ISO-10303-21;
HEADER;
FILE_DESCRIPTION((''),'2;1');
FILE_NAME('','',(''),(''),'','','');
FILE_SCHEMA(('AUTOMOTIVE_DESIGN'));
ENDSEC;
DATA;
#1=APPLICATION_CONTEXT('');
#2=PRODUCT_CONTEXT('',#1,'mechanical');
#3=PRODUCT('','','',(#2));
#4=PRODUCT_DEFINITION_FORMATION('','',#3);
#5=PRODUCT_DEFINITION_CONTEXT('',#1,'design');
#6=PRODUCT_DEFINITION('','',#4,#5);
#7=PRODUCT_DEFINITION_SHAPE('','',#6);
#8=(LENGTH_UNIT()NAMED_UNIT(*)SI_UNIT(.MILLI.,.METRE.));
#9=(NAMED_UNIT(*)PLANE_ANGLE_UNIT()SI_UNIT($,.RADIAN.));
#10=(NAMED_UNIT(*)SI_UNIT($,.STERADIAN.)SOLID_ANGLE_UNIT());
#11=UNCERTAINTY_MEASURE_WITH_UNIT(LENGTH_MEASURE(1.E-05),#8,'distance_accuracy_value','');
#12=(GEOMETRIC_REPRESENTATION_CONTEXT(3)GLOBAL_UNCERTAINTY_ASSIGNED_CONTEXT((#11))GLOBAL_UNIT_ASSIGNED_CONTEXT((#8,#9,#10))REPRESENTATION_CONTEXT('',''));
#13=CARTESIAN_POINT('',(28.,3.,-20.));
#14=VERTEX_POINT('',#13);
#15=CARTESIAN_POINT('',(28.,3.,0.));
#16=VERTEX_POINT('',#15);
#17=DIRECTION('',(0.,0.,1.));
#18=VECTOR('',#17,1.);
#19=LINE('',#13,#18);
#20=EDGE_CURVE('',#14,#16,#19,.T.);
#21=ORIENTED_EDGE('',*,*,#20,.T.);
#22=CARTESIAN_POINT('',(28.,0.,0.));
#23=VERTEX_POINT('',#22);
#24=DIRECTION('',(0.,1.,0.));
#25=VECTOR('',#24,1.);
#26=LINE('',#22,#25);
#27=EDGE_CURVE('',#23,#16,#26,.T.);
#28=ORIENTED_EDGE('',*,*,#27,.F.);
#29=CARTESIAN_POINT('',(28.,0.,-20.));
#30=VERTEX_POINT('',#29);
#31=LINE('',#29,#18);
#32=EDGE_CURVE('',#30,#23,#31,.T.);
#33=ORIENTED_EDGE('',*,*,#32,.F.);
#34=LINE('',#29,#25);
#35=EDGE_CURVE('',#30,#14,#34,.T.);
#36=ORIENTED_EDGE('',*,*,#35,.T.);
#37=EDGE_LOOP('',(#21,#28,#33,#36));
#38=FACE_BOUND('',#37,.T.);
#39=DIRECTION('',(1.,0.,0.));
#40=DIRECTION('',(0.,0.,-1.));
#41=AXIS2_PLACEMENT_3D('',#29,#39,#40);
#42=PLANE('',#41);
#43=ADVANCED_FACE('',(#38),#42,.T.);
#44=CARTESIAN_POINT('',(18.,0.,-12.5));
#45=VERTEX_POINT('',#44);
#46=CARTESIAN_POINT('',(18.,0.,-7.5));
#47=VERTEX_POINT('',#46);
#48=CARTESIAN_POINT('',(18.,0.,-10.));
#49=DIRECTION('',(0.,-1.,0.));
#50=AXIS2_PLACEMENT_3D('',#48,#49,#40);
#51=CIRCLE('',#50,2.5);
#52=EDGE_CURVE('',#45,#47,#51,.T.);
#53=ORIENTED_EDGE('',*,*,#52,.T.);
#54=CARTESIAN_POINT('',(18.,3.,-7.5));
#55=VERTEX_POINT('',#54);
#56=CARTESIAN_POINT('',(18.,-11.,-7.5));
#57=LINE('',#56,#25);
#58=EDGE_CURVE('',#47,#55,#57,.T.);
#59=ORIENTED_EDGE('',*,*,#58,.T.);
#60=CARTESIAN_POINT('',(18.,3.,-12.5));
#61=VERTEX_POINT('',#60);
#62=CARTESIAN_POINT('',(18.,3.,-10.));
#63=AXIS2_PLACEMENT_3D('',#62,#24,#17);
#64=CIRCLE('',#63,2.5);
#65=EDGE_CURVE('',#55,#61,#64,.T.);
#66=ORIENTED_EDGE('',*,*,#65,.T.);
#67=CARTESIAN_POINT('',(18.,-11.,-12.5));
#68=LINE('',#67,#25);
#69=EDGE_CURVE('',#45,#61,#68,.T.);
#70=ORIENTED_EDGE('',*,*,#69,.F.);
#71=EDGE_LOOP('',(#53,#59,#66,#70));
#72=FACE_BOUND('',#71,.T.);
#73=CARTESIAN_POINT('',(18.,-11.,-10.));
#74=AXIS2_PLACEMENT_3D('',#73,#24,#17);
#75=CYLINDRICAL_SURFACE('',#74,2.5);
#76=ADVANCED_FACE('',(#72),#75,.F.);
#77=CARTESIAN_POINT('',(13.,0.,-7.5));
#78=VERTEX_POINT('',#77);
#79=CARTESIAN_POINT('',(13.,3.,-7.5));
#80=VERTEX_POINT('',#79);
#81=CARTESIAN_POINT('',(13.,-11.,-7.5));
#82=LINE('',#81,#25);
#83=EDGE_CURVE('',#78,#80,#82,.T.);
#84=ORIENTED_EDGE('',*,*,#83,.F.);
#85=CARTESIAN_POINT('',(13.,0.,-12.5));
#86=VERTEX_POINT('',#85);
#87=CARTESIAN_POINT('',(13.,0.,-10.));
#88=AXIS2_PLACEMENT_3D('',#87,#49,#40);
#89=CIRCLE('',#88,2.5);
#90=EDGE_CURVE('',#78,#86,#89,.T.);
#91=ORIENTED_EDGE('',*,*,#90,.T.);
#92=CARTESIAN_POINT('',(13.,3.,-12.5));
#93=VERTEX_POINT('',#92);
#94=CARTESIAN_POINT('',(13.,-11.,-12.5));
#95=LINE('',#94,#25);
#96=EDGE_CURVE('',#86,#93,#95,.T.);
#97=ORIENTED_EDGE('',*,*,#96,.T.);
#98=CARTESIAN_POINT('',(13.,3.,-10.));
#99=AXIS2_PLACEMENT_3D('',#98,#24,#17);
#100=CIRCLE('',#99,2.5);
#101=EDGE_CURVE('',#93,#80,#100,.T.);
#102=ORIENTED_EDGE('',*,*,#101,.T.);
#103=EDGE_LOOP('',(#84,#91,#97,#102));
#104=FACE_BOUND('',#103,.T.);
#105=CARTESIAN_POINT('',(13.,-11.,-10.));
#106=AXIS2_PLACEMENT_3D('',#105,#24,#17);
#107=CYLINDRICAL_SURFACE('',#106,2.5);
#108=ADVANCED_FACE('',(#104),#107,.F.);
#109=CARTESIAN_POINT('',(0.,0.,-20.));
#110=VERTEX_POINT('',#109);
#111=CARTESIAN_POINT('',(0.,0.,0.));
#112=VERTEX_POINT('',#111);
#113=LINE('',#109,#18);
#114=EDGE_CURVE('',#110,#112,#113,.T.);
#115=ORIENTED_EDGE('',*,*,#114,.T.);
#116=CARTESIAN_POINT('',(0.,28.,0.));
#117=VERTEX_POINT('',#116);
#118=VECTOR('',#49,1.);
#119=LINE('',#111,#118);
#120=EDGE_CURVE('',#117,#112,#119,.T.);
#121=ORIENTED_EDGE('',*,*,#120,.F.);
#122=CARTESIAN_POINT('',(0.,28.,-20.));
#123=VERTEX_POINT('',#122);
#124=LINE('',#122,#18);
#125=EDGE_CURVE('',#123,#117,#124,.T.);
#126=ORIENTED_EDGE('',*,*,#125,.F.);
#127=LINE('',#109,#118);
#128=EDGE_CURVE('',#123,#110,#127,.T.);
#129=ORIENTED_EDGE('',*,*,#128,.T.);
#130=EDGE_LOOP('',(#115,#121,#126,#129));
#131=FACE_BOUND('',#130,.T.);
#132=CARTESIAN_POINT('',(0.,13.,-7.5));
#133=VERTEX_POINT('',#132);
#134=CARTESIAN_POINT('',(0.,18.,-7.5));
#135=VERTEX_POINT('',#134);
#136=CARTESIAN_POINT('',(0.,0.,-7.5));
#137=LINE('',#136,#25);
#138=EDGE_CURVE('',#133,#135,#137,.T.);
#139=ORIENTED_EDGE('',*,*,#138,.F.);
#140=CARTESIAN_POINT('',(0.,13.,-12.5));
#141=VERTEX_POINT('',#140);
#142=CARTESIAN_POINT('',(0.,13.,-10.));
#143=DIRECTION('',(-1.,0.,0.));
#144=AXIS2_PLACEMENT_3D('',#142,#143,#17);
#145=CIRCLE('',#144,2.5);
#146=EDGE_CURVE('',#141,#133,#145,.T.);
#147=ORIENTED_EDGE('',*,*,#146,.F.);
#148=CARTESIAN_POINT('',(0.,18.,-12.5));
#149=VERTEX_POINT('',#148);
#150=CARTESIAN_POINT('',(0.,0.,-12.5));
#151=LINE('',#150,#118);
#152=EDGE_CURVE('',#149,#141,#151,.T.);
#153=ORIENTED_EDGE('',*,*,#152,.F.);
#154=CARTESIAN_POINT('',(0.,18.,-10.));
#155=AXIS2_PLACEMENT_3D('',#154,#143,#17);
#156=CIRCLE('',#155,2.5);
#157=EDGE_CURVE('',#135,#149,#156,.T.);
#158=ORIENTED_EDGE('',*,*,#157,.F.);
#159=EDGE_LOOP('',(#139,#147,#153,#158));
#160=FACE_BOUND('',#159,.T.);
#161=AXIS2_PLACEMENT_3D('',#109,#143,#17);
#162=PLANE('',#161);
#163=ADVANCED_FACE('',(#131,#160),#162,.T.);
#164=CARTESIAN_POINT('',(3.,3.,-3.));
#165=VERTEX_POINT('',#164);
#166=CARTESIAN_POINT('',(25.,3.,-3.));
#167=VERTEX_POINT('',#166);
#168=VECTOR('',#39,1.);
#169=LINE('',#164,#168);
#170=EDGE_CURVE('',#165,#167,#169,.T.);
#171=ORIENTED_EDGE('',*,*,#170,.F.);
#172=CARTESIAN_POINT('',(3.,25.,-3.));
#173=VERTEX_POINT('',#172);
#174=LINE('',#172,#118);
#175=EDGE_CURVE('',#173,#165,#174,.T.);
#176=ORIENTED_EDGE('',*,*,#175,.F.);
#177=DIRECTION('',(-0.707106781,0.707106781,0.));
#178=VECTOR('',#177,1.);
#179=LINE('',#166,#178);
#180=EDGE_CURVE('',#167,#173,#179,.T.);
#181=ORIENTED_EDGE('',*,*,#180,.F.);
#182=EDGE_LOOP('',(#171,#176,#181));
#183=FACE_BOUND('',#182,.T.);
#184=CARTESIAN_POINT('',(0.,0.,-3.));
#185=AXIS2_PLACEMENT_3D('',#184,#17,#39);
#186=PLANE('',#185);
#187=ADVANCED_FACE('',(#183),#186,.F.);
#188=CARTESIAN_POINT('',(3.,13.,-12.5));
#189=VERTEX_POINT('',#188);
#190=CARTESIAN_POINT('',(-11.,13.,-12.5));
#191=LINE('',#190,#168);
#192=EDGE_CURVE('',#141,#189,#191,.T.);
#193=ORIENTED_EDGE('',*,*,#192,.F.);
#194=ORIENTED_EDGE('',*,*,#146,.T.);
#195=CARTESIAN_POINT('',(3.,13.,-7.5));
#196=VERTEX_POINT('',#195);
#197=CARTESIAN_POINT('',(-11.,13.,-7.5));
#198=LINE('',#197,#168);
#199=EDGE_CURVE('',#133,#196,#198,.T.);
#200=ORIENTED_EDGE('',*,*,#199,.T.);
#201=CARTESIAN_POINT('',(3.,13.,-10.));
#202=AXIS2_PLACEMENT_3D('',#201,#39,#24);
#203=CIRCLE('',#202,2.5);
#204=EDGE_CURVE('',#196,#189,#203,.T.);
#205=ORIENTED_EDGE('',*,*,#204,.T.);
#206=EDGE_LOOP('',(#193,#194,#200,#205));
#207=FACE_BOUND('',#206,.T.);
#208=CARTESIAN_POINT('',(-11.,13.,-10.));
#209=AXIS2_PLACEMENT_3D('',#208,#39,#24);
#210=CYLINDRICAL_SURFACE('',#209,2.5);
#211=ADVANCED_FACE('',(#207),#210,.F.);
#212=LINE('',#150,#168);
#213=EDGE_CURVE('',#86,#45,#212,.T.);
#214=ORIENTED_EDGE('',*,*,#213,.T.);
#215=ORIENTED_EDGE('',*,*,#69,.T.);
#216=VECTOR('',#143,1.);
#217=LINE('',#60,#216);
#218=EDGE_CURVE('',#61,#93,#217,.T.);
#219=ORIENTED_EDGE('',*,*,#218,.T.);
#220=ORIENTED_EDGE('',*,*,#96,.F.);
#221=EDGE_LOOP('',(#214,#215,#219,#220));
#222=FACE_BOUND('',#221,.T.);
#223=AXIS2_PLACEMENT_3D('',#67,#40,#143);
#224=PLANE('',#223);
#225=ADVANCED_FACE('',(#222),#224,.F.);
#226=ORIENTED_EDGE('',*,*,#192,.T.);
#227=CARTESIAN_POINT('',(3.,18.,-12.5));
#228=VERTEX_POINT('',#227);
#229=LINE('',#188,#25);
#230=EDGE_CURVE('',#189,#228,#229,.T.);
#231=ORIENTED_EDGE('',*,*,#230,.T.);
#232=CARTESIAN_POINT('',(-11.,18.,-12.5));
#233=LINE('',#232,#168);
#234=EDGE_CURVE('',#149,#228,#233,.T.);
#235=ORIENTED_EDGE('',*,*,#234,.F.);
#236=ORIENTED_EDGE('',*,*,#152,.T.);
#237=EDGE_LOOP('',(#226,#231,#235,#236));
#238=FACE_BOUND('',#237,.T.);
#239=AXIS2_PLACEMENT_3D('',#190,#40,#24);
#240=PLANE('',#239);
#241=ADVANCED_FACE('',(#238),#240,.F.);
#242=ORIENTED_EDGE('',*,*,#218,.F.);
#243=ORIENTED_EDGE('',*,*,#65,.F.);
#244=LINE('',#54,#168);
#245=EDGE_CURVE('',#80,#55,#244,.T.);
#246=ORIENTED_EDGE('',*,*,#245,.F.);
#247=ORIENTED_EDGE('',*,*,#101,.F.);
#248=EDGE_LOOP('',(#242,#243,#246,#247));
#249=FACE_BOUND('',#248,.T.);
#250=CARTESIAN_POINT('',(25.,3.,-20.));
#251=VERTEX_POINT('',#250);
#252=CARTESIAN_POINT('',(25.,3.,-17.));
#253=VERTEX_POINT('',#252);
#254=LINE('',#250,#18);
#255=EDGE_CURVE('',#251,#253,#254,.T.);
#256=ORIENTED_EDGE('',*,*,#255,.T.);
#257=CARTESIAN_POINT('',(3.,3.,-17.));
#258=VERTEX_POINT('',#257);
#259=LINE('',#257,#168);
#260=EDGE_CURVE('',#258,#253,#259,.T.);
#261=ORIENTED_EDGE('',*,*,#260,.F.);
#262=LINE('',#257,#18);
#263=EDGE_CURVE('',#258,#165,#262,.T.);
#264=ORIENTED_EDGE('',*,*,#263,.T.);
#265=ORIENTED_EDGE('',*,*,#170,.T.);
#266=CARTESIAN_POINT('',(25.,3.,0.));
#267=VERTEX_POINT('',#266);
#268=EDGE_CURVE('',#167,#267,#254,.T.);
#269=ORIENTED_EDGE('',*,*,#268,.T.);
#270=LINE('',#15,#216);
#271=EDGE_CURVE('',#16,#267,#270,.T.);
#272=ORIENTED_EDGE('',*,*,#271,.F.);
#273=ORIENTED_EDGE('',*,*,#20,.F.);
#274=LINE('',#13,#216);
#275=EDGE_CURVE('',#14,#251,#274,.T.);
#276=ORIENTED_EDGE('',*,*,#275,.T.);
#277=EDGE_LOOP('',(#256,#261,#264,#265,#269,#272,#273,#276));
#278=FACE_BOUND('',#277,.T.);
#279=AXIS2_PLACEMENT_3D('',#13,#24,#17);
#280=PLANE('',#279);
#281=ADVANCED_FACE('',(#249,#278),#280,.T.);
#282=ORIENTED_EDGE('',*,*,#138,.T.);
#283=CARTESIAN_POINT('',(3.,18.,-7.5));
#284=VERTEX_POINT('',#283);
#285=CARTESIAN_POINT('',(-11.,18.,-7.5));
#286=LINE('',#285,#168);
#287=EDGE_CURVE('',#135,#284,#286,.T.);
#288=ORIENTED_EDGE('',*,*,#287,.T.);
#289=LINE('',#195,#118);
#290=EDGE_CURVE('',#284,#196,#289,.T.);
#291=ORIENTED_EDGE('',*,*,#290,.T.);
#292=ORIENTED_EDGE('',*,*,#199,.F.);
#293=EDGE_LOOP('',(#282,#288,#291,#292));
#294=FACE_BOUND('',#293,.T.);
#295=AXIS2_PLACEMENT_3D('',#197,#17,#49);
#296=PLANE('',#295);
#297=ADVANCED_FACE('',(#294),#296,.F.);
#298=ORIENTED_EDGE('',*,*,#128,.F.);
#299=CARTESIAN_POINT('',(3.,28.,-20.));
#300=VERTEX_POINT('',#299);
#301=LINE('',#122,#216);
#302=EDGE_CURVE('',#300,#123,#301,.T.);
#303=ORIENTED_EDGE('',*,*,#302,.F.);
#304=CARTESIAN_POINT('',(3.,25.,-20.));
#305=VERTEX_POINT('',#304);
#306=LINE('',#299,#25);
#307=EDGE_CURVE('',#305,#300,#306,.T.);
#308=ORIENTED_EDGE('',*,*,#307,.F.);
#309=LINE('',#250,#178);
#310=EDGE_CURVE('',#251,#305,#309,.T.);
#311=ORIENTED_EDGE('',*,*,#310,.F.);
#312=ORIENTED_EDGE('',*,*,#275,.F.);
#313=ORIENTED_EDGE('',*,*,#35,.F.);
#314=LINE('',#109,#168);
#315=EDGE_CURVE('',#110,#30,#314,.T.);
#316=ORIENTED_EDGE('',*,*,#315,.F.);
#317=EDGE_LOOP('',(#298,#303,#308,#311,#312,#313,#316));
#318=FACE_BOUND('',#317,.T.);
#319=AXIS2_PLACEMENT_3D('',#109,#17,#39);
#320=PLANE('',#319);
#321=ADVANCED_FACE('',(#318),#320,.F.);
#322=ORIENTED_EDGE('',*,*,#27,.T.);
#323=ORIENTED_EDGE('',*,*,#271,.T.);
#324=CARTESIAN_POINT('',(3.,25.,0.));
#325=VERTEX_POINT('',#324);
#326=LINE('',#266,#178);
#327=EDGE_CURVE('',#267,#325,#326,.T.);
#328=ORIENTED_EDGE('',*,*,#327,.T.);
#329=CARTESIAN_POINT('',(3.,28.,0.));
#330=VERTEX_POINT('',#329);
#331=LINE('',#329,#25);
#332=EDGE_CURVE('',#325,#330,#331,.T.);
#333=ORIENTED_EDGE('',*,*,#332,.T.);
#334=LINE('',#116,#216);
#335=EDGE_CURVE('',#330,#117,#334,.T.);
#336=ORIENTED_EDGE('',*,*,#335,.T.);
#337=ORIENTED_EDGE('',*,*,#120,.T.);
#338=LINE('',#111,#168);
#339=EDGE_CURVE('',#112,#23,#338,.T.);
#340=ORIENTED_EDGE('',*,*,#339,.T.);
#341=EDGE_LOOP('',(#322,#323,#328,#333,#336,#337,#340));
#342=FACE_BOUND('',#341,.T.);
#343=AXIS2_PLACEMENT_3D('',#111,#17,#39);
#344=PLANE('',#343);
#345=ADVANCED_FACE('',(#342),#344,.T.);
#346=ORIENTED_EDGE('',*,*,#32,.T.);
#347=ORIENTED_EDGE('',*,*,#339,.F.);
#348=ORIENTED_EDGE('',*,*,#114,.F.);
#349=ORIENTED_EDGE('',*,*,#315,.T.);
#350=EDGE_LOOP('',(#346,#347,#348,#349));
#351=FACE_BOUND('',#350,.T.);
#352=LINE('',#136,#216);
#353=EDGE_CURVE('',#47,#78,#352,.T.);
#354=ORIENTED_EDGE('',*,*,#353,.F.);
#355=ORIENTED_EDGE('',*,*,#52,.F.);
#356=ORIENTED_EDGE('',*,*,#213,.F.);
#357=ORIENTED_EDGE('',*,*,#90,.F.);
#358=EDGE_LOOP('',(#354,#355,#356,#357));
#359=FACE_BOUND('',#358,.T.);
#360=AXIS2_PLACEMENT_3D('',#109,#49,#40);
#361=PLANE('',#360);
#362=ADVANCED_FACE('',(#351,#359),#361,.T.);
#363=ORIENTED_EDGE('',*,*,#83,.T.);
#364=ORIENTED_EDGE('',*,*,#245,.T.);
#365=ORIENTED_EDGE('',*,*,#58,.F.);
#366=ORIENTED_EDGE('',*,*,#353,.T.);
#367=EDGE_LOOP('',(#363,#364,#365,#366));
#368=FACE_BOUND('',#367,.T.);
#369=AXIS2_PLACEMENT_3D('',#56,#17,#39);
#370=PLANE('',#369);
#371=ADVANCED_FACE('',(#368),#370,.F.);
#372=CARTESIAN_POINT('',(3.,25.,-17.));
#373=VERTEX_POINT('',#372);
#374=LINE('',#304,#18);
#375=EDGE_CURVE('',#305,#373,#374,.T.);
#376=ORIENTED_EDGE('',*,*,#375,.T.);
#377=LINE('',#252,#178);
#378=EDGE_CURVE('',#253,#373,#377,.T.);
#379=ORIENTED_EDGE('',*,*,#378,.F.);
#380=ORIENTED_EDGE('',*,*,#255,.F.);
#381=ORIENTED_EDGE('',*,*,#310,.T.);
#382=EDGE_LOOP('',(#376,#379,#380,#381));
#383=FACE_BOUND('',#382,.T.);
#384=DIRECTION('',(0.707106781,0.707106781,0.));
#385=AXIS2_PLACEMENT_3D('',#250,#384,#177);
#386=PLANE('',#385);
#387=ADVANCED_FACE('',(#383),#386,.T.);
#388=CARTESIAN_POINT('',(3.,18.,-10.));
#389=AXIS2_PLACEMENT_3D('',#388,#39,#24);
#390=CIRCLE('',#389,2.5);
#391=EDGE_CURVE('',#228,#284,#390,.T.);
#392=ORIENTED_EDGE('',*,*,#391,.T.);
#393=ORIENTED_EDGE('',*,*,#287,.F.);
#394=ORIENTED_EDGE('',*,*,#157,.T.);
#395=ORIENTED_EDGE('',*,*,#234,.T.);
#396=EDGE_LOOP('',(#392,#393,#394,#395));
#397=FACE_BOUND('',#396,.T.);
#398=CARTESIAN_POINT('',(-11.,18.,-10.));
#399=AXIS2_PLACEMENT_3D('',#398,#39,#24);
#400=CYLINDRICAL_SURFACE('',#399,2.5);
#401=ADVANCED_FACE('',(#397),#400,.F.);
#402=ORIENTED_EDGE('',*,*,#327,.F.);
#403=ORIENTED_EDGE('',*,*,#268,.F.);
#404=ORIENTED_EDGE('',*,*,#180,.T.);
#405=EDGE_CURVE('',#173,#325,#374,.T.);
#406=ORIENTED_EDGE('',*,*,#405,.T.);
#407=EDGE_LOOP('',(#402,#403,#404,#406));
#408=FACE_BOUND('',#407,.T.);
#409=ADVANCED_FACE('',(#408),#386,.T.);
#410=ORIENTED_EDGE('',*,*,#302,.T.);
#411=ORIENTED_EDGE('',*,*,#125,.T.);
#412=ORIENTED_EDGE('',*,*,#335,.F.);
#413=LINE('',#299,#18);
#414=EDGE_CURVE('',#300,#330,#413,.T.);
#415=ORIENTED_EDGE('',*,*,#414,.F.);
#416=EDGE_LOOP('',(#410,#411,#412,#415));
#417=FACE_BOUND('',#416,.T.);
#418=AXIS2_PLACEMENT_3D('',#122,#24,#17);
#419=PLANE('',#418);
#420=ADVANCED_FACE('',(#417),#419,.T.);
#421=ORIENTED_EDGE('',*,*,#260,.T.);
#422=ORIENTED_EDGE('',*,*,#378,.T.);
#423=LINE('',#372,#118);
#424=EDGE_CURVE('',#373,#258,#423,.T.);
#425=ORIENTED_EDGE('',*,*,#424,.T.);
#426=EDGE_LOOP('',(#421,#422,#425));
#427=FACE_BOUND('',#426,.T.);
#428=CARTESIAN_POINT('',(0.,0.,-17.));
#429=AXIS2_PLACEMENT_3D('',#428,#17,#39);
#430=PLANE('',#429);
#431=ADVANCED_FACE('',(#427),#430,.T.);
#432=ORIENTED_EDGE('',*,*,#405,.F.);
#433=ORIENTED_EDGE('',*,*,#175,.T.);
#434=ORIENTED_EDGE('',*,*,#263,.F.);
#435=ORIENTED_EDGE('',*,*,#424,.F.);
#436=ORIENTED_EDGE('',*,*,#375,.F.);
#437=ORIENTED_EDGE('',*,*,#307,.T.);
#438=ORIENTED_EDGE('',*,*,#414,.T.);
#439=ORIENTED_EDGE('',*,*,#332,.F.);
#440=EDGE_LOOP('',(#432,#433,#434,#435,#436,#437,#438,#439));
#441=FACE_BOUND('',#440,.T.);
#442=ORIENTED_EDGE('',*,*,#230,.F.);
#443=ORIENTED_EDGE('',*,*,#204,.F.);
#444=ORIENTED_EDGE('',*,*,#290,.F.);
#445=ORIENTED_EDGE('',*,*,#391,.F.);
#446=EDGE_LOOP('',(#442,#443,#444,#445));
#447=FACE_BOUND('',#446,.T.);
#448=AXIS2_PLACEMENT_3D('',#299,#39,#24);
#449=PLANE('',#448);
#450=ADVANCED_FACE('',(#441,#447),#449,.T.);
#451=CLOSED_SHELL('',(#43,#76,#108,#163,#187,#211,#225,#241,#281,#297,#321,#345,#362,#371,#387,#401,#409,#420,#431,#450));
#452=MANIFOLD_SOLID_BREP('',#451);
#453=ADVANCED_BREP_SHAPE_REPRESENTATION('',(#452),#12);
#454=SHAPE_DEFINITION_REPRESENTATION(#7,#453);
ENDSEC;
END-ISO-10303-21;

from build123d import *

# Parameters (mm, degrees)
BOSS_EXTRUDE1_DEPTH = 20
CUT_EXTRUDE1_DEPTH  = 14
CUT_EXTRUDE2_DEPTH  = 14
CUT_EXTRUDE3_DEPTH  = 14


with BuildPart() as part:
    # Sketch1 → Boss-Extrude1 (new body)
    with BuildSketch(Plane.XY):
        Polygon((0, 0), (0, 28), (3, 28), (3, 25), (25, 3), (28, 3), (28, 0), align=None)
    extrude(amount=-BOSS_EXTRUDE1_DEPTH)

    # Sketch2 → Cut-Extrude1 (cut)
    with BuildSketch(Plane.XY.offset(-3)):
        Polygon((3, 25), (3, 3), (25, 3), align=None)
    extrude(amount=-CUT_EXTRUDE1_DEPTH, mode=Mode.SUBTRACT)

    # Sketch3 → Cut-Extrude2 (cut)
    with BuildSketch(Plane(origin=(0, 3, 0), x_dir=(1, 0, 0), z_dir=(0, 1, 0))):
        with BuildLine():
            Line((18, 7.5), (13, 7.5))
            ThreePointArc((13, 7.5), (10.5, 10), (13, 12.5))
            Line((13, 12.5), (18, 12.5))
            ThreePointArc((18, 12.5), (20.5, 10), (18, 7.5))
        make_face()
    extrude(amount=-CUT_EXTRUDE2_DEPTH, mode=Mode.SUBTRACT)

    # Sketch4 → Cut-Extrude3 (cut)
    with BuildSketch(Plane(origin=(3, 0, 0), x_dir=(0, 0, -1), z_dir=(1, 0, 0))):
        with BuildLine():
            Line((7.5, 13), (7.5, 18))
            ThreePointArc((7.5, 18), (10, 20.5), (12.5, 18))
            Line((12.5, 18), (12.5, 13))
            ThreePointArc((12.5, 13), (10, 10.5), (7.5, 13))
        make_face()
    extrude(amount=-CUT_EXTRUDE3_DEPTH, mode=Mode.SUBTRACT)


solid = part.part
